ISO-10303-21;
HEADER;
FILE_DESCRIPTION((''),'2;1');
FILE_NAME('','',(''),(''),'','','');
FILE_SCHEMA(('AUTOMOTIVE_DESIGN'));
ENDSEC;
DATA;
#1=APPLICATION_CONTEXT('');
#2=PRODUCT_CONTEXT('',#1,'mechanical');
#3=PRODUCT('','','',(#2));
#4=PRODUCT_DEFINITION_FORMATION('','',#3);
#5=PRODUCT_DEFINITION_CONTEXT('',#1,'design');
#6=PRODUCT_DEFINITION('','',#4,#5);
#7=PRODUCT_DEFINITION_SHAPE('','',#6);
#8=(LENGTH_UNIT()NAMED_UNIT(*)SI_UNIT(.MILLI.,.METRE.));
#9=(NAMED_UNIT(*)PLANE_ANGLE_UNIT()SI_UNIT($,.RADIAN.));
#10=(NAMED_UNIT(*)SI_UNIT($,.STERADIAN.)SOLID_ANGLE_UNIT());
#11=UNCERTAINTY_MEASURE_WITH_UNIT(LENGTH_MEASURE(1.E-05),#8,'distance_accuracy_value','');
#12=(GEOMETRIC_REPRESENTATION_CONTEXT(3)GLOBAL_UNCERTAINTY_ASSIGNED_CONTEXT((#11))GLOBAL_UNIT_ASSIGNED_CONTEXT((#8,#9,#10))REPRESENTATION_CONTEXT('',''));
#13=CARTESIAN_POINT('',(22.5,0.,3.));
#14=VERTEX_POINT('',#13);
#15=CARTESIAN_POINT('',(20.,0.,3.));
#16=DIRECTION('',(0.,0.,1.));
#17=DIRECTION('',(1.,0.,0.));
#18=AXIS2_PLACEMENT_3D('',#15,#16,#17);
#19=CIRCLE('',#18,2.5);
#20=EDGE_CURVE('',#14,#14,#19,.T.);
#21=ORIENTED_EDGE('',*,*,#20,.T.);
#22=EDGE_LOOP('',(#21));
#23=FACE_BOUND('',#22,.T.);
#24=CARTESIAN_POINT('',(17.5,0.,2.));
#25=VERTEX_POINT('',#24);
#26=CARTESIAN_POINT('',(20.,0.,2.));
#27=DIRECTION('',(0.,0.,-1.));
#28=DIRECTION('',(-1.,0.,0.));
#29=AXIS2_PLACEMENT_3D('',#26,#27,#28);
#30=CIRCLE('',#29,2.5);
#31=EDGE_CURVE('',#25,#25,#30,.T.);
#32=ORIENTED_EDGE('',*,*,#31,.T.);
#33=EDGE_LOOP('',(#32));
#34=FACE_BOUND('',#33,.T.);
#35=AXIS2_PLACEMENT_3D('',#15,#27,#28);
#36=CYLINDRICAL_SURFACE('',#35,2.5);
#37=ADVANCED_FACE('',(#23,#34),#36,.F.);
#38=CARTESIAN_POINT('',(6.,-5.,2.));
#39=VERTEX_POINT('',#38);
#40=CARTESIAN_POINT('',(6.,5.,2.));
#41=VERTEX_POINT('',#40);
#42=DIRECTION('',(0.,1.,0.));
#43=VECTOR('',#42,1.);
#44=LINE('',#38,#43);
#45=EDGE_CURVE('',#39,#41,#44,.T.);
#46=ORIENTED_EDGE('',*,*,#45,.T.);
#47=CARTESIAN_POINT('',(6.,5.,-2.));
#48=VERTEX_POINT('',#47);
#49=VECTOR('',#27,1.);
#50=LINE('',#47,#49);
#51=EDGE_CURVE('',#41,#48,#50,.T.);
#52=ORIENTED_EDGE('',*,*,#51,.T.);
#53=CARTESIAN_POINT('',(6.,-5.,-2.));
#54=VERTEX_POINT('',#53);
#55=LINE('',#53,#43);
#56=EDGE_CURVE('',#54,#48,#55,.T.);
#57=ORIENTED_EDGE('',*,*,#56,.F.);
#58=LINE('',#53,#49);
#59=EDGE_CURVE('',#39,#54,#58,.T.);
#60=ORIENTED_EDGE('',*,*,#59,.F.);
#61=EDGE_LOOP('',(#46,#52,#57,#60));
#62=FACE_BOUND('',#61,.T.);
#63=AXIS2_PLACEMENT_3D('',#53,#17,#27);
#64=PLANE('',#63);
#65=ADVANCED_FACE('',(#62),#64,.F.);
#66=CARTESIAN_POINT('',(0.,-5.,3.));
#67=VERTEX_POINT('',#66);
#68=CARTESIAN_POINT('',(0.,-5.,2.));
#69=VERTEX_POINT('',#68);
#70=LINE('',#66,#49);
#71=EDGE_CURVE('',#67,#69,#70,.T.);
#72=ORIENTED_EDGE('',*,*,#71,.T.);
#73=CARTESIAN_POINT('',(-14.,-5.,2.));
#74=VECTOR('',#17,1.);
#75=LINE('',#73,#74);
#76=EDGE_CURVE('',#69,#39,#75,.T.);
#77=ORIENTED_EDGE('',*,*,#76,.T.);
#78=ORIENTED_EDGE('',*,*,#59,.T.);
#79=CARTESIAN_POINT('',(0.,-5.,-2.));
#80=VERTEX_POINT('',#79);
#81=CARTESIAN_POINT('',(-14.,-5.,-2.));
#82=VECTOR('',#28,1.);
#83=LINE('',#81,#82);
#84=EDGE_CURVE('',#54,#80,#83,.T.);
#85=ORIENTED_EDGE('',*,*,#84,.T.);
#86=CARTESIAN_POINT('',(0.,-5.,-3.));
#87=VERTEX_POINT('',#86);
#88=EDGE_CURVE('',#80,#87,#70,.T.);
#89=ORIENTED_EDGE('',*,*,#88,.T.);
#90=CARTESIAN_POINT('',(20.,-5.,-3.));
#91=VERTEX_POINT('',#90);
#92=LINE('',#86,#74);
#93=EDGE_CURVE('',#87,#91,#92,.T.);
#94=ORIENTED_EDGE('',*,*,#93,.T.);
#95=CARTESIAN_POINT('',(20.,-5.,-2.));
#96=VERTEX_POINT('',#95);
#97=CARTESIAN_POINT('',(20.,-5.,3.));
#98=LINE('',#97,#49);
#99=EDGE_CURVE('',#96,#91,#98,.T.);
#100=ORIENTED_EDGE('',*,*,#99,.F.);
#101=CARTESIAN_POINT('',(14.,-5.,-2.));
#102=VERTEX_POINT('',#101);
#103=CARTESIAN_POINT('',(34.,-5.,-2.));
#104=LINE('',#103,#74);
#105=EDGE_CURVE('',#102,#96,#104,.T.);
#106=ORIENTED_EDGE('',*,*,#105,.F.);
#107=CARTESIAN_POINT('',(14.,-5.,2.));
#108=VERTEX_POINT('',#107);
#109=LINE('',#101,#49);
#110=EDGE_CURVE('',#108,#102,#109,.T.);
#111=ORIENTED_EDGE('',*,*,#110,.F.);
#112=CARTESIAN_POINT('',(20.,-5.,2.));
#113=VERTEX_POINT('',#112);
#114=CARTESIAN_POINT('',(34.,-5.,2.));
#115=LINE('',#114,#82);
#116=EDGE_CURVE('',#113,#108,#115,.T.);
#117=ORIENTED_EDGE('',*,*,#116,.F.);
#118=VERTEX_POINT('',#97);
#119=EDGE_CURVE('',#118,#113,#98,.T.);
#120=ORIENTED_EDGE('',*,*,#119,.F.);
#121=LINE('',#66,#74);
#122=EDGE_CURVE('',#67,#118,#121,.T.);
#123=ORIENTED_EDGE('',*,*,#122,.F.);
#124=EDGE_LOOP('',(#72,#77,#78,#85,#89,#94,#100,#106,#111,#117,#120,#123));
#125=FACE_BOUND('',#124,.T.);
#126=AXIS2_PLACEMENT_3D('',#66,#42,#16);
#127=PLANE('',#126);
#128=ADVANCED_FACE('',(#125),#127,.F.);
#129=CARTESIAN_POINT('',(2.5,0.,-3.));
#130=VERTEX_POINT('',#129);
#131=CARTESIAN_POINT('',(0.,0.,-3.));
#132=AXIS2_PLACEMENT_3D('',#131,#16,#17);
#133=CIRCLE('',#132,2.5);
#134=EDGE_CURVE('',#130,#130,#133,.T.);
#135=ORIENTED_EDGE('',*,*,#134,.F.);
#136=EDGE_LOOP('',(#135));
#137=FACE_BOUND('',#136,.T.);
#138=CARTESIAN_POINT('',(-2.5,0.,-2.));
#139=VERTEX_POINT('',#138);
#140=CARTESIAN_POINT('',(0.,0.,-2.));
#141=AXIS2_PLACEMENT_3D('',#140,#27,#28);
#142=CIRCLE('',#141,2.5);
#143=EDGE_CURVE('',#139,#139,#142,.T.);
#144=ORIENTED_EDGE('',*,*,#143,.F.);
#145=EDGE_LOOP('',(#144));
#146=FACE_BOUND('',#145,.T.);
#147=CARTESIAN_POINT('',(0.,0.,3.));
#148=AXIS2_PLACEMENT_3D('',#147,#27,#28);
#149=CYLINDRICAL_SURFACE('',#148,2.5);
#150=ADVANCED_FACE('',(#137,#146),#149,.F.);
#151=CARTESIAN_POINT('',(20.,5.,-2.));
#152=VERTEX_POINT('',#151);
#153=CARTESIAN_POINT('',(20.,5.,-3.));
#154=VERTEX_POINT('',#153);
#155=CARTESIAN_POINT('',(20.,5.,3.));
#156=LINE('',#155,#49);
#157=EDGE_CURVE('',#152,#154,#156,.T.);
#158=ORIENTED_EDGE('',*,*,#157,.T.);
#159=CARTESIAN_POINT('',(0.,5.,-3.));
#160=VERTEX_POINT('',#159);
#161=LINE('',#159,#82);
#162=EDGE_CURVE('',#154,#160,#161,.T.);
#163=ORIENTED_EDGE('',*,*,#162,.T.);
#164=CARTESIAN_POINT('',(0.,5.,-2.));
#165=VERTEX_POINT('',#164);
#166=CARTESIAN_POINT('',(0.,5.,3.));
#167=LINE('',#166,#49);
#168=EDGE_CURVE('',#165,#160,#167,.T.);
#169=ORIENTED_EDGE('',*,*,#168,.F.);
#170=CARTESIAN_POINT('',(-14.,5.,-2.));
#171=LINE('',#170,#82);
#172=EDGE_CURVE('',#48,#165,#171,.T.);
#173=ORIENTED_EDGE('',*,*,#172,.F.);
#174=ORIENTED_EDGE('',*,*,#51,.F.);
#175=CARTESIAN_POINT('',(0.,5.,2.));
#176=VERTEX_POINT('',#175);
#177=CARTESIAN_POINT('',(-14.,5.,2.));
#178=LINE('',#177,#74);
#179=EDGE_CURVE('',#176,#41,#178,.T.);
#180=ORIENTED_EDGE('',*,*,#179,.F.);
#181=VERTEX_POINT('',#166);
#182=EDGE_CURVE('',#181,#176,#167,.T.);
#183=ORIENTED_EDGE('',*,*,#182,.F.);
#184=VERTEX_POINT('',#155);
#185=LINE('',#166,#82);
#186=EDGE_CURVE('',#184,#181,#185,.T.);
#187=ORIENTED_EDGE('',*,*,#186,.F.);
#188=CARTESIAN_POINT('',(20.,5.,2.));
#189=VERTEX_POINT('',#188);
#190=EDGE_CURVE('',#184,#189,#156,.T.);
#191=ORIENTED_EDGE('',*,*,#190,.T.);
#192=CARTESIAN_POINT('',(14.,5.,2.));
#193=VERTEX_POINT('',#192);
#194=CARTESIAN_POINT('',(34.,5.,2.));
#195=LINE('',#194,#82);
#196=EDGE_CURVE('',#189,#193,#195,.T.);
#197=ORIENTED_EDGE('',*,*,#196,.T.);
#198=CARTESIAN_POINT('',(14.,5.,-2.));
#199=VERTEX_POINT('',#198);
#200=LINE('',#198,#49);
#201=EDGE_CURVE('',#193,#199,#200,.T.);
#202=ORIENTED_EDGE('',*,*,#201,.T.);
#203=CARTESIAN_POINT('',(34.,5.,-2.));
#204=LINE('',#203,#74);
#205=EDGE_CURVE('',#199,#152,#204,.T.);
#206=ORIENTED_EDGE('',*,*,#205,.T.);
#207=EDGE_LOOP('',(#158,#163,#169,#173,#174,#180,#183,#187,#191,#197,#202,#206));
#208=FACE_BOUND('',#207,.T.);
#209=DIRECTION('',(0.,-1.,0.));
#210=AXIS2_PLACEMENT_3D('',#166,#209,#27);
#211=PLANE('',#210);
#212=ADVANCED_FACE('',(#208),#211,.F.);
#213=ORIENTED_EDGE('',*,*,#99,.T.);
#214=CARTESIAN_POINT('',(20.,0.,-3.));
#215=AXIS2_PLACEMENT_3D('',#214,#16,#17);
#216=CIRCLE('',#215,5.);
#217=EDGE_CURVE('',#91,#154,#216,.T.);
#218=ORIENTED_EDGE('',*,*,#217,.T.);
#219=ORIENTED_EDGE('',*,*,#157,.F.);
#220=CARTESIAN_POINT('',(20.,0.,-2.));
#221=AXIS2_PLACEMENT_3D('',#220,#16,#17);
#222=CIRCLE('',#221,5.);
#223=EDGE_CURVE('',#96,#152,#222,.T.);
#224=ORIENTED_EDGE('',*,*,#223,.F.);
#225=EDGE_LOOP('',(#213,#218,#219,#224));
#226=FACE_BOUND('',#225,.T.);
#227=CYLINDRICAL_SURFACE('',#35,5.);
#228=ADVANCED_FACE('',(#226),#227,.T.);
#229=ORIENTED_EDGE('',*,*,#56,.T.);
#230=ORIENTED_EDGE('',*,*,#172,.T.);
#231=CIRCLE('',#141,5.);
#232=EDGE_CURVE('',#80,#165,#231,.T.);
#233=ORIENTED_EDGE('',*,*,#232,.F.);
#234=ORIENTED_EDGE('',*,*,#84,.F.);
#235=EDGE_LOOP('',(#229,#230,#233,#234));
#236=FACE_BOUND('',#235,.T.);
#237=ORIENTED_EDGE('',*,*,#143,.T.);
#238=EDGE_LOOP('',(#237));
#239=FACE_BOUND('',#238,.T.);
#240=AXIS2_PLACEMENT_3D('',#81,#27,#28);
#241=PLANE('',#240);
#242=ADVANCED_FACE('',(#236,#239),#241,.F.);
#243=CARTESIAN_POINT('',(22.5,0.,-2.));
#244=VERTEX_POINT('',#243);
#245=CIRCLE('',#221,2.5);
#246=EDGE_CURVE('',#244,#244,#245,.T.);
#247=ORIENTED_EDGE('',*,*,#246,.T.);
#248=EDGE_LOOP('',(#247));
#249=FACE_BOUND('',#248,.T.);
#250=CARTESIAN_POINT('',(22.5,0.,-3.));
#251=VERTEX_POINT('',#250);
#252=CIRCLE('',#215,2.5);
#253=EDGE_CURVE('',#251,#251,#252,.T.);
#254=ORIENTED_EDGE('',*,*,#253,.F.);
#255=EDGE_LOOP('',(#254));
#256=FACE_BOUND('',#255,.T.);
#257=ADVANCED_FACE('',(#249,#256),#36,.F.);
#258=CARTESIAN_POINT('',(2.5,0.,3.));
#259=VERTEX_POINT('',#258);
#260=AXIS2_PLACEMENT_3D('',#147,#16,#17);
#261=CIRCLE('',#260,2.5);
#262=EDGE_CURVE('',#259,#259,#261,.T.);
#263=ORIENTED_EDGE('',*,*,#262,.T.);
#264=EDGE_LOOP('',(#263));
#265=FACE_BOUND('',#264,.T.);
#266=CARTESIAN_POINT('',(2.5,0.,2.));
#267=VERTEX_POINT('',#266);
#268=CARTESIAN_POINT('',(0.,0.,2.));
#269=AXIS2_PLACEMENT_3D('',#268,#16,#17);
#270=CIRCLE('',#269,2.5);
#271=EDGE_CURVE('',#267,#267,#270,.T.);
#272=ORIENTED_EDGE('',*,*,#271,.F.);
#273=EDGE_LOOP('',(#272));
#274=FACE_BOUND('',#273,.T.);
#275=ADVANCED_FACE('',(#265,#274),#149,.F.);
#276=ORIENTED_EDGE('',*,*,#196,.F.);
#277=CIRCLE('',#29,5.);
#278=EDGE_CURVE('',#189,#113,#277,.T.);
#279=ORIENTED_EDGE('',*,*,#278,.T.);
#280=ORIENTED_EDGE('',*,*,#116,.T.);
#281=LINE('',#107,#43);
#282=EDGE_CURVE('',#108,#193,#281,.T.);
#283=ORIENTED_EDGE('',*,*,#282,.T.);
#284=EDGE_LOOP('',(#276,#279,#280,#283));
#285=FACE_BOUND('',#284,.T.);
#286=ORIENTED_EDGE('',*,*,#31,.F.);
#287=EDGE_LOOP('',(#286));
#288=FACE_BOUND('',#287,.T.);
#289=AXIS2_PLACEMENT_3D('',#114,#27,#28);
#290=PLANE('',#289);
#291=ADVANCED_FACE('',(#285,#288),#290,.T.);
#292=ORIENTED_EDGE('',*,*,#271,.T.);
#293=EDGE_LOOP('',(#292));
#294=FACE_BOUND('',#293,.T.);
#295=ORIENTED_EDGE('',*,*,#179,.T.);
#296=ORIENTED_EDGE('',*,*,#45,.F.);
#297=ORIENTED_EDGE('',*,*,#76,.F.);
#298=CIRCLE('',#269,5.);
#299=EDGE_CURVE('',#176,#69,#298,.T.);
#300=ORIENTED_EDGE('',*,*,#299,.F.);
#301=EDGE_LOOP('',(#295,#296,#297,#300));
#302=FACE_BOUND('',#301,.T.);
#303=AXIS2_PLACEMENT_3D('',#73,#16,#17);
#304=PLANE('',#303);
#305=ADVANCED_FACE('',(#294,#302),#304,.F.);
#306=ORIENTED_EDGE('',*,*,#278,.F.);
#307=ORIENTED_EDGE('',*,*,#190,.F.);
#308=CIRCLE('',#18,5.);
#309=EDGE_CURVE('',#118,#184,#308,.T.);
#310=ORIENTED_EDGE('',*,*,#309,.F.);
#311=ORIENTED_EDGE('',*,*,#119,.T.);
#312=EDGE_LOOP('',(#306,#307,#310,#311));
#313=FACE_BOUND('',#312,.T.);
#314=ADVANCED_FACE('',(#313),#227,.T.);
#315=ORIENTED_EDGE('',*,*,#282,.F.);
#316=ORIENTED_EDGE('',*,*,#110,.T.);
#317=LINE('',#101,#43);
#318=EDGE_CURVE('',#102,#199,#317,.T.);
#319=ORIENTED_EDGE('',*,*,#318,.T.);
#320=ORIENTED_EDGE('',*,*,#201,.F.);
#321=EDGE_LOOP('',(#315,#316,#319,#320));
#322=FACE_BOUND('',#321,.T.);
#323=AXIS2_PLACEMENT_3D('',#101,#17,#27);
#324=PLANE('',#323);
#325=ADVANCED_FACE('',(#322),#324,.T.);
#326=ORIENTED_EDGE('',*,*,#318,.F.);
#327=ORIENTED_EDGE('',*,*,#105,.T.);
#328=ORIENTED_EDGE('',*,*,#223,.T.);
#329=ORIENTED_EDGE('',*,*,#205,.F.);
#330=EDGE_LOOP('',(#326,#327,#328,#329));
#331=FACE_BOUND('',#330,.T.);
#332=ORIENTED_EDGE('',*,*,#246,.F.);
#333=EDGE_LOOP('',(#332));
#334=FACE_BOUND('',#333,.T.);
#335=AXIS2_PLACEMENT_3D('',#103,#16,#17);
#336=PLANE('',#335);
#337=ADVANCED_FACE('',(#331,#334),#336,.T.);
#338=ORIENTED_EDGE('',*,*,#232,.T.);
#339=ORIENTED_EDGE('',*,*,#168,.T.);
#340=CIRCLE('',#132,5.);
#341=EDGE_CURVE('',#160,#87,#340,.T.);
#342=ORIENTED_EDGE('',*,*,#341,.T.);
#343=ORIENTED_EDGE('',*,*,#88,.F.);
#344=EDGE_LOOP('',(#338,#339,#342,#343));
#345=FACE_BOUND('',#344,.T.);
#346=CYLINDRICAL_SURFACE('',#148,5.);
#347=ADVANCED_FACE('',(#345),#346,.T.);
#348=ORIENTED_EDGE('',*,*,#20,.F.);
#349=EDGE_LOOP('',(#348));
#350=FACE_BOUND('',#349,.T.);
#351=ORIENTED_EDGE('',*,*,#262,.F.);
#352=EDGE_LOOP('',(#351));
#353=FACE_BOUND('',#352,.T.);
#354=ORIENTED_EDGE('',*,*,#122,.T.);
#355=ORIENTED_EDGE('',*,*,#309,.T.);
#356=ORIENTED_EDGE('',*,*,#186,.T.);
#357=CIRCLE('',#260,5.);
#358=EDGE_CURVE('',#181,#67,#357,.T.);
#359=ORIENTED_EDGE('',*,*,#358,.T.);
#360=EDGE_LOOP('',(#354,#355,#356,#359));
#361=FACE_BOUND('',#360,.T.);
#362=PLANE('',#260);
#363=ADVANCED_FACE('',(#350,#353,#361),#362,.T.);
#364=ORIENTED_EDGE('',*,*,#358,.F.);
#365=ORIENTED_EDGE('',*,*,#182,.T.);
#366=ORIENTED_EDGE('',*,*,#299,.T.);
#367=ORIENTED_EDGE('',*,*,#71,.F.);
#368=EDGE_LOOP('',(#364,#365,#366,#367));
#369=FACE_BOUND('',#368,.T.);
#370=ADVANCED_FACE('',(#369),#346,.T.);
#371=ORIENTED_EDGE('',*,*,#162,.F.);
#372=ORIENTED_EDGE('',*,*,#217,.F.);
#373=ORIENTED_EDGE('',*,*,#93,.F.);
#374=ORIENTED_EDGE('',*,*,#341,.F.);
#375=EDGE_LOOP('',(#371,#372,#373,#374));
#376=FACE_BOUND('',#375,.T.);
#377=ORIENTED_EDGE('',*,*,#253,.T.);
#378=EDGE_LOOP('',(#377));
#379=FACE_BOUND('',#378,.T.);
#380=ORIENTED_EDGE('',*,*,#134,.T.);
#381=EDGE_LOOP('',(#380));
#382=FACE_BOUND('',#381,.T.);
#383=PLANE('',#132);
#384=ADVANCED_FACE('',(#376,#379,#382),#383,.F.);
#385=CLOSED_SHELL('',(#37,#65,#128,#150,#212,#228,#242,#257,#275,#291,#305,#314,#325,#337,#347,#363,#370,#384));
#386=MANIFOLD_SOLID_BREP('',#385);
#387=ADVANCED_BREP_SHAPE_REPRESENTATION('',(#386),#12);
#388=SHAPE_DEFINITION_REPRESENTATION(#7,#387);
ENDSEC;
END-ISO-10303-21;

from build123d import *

# Parameters (mm, degrees)
SKETCH1_R           = 2.5
BOSS_EXTRUDE1_DEPTH = 3
SKETCH2_W           = 20
SKETCH2_H           = 4
CUT_EXTRUDE1_DEPTH  = 28.092434368


with BuildPart() as part:
    # Sketch1 → Boss-Extrude1 (new, symmetric)
    with BuildSketch(Plane.XY):
        with BuildLine():
            Line((0, 5), (20, 5))
            ThreePointArc((20, 5), (25, 0), (20, -5))
            Line((20, -5), (0, -5))
            ThreePointArc((0, -5), (-5, 0), (0, 5))
        make_face()
        Circle(SKETCH1_R, mode=Mode.SUBTRACT)
        with Locations((20, 0)):
            Circle(SKETCH1_R, mode=Mode.SUBTRACT)
    extrude(amount=BOSS_EXTRUDE1_DEPTH, both=True)

    # Sketch2 → Cut-Extrude1 (cut, through all)
    with BuildSketch(Plane(origin=(0, 5, 0), x_dir=(1, 0, 0), z_dir=(0, 1, 0))):
        with Locations((-4, 0)):
            Rectangle(SKETCH2_W, SKETCH2_H)
    cut_extrude1 = extrude(amount=-CUT_EXTRUDE1_DEPTH, mode=Mode.SUBTRACT)

    # Mirror1: Cut-Extrude1 across plane
    add(cut_extrude1.mirror(Plane(origin=(10, 0, 0), x_dir=(0, 0, 1), z_dir=(1, 0, 0))), mode=Mode.SUBTRACT)


solid = part.part
